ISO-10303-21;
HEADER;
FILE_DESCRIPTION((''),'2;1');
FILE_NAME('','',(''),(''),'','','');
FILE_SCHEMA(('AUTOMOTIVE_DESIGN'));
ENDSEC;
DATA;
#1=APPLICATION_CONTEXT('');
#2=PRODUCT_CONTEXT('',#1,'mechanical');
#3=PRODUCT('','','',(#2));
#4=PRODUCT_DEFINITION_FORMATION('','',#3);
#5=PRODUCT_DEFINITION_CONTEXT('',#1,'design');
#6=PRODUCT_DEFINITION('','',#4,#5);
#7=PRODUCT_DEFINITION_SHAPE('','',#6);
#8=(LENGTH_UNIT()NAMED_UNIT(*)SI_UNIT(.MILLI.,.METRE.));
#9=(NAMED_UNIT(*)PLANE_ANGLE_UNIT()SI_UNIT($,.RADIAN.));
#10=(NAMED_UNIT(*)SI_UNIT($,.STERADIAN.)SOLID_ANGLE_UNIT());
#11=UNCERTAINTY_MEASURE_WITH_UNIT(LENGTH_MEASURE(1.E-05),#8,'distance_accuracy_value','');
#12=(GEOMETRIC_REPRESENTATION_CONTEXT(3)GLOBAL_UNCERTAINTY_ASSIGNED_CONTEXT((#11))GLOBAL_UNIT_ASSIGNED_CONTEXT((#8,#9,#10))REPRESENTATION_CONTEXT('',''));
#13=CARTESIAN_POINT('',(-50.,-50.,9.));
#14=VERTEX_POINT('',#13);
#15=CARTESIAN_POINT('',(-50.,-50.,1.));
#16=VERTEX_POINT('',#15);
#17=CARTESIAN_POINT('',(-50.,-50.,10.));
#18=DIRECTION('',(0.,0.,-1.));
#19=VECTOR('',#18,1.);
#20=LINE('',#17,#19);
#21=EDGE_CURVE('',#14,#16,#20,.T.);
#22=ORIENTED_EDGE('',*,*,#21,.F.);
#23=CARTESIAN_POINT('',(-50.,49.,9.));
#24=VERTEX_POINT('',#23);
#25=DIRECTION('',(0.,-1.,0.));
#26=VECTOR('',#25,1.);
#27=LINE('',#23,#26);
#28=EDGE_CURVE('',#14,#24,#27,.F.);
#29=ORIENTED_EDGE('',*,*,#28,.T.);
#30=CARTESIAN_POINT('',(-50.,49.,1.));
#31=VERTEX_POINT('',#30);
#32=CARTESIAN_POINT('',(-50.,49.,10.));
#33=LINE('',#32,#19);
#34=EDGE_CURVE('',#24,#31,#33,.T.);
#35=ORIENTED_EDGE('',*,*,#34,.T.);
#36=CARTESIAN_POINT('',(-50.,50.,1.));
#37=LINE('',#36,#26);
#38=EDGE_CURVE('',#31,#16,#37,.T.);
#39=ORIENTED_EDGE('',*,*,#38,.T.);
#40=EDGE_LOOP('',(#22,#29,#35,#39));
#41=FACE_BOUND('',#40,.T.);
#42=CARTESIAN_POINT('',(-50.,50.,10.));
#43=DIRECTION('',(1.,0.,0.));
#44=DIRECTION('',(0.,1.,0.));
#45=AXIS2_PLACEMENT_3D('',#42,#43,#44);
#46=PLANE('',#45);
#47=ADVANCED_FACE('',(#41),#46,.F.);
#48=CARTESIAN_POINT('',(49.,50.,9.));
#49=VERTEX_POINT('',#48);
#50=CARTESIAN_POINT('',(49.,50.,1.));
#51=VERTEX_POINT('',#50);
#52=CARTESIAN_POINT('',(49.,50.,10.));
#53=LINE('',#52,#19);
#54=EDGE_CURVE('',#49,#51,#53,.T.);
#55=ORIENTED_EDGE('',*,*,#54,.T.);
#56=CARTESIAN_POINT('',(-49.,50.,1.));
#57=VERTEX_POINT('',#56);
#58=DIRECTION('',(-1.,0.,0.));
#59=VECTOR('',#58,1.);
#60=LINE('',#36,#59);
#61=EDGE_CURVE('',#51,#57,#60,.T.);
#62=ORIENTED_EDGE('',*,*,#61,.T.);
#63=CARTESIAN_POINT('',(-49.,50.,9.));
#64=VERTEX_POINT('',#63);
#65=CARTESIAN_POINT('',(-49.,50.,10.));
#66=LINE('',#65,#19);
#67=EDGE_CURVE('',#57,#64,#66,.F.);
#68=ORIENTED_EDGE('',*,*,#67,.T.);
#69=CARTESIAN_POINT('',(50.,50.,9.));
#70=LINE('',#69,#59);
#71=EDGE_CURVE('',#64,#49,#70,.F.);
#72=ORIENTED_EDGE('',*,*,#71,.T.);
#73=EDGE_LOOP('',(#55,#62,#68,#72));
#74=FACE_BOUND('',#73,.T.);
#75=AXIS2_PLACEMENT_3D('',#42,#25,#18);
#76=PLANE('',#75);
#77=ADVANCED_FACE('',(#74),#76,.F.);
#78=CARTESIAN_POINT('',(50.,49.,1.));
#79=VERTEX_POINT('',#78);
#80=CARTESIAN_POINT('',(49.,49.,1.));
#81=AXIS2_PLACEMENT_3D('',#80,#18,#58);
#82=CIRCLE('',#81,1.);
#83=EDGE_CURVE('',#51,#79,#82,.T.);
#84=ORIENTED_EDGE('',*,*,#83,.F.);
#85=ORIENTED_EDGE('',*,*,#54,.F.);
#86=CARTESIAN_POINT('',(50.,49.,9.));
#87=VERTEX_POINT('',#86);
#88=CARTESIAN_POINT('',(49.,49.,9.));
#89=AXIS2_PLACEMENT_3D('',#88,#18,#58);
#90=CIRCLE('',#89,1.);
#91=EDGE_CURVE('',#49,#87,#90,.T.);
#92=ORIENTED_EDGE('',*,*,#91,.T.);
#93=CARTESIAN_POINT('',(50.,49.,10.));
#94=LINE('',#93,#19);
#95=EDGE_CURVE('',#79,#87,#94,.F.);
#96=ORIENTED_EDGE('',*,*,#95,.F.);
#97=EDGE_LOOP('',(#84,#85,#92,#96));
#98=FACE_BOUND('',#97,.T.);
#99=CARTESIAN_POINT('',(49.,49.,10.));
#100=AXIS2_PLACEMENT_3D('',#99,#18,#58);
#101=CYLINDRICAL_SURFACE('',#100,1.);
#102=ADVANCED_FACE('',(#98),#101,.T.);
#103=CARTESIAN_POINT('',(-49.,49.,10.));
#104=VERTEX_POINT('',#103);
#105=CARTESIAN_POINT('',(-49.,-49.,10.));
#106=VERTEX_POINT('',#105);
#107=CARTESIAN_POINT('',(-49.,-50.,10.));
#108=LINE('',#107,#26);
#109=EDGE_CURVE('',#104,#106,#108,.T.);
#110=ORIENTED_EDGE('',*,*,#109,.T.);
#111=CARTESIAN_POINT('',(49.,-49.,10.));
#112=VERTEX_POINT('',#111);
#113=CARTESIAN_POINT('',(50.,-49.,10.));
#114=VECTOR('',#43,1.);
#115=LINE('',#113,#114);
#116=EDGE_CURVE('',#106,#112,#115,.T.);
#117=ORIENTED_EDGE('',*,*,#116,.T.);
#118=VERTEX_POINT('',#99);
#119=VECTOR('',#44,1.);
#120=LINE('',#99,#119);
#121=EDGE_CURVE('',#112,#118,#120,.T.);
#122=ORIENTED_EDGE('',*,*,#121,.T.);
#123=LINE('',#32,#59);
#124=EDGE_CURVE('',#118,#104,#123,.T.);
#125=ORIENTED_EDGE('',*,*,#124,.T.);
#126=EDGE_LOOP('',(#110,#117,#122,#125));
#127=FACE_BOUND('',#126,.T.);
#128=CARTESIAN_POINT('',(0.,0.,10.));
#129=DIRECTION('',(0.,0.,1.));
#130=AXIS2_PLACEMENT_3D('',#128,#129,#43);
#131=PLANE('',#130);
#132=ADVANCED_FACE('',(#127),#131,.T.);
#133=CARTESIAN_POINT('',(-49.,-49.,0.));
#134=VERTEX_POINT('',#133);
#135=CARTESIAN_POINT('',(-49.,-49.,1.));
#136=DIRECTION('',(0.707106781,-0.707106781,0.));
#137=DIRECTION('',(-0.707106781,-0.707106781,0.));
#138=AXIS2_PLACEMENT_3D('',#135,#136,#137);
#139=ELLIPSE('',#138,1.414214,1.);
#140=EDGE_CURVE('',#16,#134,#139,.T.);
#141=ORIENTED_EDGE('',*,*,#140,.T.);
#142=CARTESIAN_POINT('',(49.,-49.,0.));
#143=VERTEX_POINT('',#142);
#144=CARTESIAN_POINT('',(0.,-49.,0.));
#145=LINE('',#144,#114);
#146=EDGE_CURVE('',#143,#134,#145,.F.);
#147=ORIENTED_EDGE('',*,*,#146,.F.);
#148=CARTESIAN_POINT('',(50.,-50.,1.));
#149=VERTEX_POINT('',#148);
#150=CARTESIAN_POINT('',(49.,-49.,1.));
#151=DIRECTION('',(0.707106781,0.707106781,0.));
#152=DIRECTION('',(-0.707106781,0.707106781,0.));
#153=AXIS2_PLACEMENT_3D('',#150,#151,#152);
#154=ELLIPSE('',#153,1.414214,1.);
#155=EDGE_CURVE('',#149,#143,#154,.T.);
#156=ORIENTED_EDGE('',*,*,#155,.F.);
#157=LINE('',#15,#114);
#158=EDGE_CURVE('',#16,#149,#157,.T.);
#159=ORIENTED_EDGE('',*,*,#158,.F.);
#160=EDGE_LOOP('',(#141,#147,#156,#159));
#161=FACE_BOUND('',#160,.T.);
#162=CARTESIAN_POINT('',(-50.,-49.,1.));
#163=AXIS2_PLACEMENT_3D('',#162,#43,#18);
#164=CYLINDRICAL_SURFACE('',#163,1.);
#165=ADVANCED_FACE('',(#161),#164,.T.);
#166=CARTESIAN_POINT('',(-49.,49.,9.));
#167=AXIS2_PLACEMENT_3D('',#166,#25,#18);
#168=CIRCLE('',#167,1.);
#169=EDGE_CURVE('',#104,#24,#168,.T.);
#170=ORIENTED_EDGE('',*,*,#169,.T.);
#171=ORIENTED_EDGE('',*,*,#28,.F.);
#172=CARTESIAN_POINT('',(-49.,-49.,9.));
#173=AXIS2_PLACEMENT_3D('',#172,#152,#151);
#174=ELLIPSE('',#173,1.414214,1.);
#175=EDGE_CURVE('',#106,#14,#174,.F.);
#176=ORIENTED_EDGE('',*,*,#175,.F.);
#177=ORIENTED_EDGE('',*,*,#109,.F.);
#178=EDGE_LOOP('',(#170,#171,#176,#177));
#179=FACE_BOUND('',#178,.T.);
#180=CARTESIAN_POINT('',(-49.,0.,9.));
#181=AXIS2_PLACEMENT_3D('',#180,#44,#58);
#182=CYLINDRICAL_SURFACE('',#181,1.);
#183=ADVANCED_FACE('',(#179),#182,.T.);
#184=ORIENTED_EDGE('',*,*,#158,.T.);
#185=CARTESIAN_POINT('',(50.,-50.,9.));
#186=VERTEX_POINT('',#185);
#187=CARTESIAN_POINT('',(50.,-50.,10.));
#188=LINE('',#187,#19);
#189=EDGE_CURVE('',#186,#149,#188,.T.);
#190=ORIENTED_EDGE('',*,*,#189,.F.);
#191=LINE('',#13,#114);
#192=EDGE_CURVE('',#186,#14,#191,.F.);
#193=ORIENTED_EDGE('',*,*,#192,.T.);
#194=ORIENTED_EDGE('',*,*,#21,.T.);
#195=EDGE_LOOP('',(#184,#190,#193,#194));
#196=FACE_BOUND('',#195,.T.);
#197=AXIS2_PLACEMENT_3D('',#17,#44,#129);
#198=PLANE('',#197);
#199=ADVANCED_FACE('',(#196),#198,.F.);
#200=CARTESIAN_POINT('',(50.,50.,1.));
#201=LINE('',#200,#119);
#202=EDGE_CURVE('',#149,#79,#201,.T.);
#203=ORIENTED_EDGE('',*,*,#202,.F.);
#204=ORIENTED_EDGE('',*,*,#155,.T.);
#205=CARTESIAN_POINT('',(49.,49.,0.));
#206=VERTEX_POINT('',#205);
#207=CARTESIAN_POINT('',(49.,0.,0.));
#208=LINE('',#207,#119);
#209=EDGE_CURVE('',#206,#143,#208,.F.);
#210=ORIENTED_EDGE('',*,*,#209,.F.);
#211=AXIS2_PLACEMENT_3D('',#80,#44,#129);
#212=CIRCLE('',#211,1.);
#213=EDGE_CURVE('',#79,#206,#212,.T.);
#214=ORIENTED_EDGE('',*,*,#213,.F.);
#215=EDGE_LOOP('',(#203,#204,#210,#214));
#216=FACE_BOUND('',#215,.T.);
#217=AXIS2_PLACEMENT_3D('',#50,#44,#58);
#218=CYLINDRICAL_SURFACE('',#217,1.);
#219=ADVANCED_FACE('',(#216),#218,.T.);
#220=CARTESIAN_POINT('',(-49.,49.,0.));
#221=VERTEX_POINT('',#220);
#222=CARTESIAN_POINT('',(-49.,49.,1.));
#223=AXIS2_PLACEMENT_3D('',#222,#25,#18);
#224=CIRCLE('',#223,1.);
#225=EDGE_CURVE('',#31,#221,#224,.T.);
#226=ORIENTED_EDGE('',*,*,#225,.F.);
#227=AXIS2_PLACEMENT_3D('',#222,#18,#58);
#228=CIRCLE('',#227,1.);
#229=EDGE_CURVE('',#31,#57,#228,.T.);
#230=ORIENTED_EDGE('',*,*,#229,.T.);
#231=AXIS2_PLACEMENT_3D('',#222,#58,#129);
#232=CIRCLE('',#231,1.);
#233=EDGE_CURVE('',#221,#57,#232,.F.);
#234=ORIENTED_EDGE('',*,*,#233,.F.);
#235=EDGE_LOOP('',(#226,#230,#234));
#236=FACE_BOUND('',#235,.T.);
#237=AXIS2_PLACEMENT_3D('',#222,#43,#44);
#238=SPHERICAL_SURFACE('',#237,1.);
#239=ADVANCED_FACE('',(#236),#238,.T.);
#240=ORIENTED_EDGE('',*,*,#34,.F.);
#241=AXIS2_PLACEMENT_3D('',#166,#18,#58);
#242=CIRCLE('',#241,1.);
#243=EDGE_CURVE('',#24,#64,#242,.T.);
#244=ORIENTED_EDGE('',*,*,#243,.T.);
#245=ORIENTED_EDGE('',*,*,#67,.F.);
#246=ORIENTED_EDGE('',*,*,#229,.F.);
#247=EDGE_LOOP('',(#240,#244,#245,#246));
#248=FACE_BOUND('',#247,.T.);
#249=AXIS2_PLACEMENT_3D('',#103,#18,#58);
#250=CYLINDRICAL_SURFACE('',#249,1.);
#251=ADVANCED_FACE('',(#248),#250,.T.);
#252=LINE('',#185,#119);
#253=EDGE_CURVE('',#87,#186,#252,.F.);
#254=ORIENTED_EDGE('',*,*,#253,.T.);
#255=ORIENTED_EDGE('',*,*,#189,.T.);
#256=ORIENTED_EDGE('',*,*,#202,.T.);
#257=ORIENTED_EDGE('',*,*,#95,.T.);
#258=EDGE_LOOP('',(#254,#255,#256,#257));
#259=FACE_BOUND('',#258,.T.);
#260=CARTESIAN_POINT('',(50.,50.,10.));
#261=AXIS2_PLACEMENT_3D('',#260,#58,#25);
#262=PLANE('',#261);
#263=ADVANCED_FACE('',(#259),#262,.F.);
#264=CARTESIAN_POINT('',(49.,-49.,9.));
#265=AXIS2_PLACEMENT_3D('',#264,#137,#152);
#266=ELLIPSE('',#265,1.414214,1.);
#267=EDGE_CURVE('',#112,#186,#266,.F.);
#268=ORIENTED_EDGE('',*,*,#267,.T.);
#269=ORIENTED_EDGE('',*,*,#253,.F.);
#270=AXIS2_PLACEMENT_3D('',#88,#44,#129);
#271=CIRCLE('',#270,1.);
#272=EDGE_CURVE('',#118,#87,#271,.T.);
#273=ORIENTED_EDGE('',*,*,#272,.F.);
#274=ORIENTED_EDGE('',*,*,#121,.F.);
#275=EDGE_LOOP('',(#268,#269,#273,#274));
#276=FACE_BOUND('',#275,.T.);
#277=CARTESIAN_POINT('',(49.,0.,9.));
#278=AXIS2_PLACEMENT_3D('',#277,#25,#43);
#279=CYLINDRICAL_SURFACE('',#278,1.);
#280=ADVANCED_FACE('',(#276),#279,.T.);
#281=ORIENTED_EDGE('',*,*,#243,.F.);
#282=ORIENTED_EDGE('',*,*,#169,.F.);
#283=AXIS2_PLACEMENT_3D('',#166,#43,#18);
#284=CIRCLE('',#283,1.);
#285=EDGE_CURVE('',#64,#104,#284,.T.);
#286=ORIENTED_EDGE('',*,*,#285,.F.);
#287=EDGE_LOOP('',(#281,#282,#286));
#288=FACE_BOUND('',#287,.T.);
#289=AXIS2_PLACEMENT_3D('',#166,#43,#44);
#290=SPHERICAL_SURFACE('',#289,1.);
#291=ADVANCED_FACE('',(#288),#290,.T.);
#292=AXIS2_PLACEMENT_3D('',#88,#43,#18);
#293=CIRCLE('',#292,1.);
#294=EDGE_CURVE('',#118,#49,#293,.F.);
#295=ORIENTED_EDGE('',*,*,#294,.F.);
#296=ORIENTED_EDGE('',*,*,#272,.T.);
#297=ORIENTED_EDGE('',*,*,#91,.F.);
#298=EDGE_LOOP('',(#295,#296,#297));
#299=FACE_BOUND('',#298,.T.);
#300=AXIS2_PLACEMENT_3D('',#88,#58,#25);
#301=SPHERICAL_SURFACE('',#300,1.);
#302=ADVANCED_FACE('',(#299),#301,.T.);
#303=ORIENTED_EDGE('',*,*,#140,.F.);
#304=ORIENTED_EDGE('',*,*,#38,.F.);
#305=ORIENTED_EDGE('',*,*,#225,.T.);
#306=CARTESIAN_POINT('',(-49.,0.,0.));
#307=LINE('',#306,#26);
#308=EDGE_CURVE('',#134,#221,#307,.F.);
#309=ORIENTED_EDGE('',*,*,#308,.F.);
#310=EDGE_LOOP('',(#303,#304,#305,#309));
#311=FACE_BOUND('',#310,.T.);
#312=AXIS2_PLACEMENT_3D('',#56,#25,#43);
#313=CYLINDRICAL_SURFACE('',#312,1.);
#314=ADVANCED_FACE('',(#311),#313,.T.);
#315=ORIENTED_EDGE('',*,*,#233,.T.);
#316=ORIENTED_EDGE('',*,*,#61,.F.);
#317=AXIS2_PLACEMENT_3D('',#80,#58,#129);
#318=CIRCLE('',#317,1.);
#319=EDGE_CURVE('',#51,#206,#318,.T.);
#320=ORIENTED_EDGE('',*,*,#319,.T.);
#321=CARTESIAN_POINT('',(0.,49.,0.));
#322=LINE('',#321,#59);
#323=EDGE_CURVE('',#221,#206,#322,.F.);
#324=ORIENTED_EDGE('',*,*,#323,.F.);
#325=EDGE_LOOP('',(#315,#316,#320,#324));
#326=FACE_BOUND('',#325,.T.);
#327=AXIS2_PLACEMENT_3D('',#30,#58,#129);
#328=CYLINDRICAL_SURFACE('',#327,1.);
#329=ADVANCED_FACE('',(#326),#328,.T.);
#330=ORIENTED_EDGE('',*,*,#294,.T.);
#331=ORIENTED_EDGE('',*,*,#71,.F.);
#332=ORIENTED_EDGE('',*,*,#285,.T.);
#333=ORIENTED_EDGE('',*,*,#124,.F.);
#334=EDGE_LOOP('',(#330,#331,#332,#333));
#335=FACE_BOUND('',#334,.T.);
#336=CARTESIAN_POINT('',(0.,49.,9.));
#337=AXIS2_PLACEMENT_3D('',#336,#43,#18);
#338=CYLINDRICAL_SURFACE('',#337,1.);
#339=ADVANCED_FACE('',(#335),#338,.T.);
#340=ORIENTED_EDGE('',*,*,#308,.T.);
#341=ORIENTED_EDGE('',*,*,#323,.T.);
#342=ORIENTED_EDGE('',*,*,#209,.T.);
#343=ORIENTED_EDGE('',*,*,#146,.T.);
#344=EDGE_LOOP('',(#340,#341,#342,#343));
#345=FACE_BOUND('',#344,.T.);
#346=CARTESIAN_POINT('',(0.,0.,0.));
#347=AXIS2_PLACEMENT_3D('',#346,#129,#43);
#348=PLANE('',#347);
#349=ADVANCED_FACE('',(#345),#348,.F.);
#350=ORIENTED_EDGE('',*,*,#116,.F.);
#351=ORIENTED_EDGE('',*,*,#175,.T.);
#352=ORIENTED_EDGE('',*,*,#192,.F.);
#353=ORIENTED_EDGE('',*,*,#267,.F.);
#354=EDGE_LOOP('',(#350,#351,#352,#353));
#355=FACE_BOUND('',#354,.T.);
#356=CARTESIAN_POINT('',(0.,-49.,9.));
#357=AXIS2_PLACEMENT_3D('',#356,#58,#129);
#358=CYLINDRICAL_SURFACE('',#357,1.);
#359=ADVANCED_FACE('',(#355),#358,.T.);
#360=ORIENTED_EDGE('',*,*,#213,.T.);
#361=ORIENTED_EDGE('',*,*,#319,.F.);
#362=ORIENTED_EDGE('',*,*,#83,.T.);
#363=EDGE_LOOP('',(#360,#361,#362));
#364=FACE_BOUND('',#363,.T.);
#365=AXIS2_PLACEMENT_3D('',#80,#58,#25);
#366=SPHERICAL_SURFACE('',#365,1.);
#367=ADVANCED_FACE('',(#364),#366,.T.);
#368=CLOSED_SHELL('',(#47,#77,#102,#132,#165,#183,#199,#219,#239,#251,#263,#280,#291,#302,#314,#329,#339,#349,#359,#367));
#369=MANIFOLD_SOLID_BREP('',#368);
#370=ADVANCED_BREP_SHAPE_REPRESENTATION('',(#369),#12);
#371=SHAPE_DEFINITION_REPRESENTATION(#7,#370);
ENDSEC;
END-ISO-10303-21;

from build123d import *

# Parameters (mm, degrees)
SKETCH1_W           = 100
SKETCH1_H           = 100
BOSS_EXTRUDE1_DEPTH = 10
FILLET2_R           = 1
FILLET3_R           = 1
FILLET5_R           = 1


with BuildPart() as part:
    # Sketch1 → Boss-Extrude1 (new body)
    with BuildSketch(Plane.XY):
        Rectangle(SKETCH1_W, SKETCH1_H)
    extrude(amount=BOSS_EXTRUDE1_DEPTH)

    # Fillet2
    fillet2_edges = [part.edges().sort_by_distance(p)[0] for p in [
        (0, 50, 10),
    ]]
    fillet(fillet2_edges, radius=FILLET2_R)

    # Fillet3
    fillet3_edges = [part.edges().sort_by_distance(p)[0] for p in [
        (0, 50, 0),
    ]]
    fillet(fillet3_edges, radius=FILLET3_R)

    # Fillet5
    fillet5_edges = [part.edges().sort_by_distance(p)[0] for p in [
        (-50, -0.5, 10),
        (-50, 50, 5),
        (-50, 49.707106781, 9.707106781),
        (50, 50, 5),
        (50, 49.707106781, 9.707106781),
        (0, -50, 10),
        (-50, -0.5, 0),
        (-50, 49.707106781, 0.292893219),
        (50, 49.707106781, 0.292893219),
        (50, -0.5, 10),
        (0, -50, 0),
        (50, -0.5, 0),
    ]]
    fillet(fillet5_edges, radius=FILLET5_R)


solid = part.part
